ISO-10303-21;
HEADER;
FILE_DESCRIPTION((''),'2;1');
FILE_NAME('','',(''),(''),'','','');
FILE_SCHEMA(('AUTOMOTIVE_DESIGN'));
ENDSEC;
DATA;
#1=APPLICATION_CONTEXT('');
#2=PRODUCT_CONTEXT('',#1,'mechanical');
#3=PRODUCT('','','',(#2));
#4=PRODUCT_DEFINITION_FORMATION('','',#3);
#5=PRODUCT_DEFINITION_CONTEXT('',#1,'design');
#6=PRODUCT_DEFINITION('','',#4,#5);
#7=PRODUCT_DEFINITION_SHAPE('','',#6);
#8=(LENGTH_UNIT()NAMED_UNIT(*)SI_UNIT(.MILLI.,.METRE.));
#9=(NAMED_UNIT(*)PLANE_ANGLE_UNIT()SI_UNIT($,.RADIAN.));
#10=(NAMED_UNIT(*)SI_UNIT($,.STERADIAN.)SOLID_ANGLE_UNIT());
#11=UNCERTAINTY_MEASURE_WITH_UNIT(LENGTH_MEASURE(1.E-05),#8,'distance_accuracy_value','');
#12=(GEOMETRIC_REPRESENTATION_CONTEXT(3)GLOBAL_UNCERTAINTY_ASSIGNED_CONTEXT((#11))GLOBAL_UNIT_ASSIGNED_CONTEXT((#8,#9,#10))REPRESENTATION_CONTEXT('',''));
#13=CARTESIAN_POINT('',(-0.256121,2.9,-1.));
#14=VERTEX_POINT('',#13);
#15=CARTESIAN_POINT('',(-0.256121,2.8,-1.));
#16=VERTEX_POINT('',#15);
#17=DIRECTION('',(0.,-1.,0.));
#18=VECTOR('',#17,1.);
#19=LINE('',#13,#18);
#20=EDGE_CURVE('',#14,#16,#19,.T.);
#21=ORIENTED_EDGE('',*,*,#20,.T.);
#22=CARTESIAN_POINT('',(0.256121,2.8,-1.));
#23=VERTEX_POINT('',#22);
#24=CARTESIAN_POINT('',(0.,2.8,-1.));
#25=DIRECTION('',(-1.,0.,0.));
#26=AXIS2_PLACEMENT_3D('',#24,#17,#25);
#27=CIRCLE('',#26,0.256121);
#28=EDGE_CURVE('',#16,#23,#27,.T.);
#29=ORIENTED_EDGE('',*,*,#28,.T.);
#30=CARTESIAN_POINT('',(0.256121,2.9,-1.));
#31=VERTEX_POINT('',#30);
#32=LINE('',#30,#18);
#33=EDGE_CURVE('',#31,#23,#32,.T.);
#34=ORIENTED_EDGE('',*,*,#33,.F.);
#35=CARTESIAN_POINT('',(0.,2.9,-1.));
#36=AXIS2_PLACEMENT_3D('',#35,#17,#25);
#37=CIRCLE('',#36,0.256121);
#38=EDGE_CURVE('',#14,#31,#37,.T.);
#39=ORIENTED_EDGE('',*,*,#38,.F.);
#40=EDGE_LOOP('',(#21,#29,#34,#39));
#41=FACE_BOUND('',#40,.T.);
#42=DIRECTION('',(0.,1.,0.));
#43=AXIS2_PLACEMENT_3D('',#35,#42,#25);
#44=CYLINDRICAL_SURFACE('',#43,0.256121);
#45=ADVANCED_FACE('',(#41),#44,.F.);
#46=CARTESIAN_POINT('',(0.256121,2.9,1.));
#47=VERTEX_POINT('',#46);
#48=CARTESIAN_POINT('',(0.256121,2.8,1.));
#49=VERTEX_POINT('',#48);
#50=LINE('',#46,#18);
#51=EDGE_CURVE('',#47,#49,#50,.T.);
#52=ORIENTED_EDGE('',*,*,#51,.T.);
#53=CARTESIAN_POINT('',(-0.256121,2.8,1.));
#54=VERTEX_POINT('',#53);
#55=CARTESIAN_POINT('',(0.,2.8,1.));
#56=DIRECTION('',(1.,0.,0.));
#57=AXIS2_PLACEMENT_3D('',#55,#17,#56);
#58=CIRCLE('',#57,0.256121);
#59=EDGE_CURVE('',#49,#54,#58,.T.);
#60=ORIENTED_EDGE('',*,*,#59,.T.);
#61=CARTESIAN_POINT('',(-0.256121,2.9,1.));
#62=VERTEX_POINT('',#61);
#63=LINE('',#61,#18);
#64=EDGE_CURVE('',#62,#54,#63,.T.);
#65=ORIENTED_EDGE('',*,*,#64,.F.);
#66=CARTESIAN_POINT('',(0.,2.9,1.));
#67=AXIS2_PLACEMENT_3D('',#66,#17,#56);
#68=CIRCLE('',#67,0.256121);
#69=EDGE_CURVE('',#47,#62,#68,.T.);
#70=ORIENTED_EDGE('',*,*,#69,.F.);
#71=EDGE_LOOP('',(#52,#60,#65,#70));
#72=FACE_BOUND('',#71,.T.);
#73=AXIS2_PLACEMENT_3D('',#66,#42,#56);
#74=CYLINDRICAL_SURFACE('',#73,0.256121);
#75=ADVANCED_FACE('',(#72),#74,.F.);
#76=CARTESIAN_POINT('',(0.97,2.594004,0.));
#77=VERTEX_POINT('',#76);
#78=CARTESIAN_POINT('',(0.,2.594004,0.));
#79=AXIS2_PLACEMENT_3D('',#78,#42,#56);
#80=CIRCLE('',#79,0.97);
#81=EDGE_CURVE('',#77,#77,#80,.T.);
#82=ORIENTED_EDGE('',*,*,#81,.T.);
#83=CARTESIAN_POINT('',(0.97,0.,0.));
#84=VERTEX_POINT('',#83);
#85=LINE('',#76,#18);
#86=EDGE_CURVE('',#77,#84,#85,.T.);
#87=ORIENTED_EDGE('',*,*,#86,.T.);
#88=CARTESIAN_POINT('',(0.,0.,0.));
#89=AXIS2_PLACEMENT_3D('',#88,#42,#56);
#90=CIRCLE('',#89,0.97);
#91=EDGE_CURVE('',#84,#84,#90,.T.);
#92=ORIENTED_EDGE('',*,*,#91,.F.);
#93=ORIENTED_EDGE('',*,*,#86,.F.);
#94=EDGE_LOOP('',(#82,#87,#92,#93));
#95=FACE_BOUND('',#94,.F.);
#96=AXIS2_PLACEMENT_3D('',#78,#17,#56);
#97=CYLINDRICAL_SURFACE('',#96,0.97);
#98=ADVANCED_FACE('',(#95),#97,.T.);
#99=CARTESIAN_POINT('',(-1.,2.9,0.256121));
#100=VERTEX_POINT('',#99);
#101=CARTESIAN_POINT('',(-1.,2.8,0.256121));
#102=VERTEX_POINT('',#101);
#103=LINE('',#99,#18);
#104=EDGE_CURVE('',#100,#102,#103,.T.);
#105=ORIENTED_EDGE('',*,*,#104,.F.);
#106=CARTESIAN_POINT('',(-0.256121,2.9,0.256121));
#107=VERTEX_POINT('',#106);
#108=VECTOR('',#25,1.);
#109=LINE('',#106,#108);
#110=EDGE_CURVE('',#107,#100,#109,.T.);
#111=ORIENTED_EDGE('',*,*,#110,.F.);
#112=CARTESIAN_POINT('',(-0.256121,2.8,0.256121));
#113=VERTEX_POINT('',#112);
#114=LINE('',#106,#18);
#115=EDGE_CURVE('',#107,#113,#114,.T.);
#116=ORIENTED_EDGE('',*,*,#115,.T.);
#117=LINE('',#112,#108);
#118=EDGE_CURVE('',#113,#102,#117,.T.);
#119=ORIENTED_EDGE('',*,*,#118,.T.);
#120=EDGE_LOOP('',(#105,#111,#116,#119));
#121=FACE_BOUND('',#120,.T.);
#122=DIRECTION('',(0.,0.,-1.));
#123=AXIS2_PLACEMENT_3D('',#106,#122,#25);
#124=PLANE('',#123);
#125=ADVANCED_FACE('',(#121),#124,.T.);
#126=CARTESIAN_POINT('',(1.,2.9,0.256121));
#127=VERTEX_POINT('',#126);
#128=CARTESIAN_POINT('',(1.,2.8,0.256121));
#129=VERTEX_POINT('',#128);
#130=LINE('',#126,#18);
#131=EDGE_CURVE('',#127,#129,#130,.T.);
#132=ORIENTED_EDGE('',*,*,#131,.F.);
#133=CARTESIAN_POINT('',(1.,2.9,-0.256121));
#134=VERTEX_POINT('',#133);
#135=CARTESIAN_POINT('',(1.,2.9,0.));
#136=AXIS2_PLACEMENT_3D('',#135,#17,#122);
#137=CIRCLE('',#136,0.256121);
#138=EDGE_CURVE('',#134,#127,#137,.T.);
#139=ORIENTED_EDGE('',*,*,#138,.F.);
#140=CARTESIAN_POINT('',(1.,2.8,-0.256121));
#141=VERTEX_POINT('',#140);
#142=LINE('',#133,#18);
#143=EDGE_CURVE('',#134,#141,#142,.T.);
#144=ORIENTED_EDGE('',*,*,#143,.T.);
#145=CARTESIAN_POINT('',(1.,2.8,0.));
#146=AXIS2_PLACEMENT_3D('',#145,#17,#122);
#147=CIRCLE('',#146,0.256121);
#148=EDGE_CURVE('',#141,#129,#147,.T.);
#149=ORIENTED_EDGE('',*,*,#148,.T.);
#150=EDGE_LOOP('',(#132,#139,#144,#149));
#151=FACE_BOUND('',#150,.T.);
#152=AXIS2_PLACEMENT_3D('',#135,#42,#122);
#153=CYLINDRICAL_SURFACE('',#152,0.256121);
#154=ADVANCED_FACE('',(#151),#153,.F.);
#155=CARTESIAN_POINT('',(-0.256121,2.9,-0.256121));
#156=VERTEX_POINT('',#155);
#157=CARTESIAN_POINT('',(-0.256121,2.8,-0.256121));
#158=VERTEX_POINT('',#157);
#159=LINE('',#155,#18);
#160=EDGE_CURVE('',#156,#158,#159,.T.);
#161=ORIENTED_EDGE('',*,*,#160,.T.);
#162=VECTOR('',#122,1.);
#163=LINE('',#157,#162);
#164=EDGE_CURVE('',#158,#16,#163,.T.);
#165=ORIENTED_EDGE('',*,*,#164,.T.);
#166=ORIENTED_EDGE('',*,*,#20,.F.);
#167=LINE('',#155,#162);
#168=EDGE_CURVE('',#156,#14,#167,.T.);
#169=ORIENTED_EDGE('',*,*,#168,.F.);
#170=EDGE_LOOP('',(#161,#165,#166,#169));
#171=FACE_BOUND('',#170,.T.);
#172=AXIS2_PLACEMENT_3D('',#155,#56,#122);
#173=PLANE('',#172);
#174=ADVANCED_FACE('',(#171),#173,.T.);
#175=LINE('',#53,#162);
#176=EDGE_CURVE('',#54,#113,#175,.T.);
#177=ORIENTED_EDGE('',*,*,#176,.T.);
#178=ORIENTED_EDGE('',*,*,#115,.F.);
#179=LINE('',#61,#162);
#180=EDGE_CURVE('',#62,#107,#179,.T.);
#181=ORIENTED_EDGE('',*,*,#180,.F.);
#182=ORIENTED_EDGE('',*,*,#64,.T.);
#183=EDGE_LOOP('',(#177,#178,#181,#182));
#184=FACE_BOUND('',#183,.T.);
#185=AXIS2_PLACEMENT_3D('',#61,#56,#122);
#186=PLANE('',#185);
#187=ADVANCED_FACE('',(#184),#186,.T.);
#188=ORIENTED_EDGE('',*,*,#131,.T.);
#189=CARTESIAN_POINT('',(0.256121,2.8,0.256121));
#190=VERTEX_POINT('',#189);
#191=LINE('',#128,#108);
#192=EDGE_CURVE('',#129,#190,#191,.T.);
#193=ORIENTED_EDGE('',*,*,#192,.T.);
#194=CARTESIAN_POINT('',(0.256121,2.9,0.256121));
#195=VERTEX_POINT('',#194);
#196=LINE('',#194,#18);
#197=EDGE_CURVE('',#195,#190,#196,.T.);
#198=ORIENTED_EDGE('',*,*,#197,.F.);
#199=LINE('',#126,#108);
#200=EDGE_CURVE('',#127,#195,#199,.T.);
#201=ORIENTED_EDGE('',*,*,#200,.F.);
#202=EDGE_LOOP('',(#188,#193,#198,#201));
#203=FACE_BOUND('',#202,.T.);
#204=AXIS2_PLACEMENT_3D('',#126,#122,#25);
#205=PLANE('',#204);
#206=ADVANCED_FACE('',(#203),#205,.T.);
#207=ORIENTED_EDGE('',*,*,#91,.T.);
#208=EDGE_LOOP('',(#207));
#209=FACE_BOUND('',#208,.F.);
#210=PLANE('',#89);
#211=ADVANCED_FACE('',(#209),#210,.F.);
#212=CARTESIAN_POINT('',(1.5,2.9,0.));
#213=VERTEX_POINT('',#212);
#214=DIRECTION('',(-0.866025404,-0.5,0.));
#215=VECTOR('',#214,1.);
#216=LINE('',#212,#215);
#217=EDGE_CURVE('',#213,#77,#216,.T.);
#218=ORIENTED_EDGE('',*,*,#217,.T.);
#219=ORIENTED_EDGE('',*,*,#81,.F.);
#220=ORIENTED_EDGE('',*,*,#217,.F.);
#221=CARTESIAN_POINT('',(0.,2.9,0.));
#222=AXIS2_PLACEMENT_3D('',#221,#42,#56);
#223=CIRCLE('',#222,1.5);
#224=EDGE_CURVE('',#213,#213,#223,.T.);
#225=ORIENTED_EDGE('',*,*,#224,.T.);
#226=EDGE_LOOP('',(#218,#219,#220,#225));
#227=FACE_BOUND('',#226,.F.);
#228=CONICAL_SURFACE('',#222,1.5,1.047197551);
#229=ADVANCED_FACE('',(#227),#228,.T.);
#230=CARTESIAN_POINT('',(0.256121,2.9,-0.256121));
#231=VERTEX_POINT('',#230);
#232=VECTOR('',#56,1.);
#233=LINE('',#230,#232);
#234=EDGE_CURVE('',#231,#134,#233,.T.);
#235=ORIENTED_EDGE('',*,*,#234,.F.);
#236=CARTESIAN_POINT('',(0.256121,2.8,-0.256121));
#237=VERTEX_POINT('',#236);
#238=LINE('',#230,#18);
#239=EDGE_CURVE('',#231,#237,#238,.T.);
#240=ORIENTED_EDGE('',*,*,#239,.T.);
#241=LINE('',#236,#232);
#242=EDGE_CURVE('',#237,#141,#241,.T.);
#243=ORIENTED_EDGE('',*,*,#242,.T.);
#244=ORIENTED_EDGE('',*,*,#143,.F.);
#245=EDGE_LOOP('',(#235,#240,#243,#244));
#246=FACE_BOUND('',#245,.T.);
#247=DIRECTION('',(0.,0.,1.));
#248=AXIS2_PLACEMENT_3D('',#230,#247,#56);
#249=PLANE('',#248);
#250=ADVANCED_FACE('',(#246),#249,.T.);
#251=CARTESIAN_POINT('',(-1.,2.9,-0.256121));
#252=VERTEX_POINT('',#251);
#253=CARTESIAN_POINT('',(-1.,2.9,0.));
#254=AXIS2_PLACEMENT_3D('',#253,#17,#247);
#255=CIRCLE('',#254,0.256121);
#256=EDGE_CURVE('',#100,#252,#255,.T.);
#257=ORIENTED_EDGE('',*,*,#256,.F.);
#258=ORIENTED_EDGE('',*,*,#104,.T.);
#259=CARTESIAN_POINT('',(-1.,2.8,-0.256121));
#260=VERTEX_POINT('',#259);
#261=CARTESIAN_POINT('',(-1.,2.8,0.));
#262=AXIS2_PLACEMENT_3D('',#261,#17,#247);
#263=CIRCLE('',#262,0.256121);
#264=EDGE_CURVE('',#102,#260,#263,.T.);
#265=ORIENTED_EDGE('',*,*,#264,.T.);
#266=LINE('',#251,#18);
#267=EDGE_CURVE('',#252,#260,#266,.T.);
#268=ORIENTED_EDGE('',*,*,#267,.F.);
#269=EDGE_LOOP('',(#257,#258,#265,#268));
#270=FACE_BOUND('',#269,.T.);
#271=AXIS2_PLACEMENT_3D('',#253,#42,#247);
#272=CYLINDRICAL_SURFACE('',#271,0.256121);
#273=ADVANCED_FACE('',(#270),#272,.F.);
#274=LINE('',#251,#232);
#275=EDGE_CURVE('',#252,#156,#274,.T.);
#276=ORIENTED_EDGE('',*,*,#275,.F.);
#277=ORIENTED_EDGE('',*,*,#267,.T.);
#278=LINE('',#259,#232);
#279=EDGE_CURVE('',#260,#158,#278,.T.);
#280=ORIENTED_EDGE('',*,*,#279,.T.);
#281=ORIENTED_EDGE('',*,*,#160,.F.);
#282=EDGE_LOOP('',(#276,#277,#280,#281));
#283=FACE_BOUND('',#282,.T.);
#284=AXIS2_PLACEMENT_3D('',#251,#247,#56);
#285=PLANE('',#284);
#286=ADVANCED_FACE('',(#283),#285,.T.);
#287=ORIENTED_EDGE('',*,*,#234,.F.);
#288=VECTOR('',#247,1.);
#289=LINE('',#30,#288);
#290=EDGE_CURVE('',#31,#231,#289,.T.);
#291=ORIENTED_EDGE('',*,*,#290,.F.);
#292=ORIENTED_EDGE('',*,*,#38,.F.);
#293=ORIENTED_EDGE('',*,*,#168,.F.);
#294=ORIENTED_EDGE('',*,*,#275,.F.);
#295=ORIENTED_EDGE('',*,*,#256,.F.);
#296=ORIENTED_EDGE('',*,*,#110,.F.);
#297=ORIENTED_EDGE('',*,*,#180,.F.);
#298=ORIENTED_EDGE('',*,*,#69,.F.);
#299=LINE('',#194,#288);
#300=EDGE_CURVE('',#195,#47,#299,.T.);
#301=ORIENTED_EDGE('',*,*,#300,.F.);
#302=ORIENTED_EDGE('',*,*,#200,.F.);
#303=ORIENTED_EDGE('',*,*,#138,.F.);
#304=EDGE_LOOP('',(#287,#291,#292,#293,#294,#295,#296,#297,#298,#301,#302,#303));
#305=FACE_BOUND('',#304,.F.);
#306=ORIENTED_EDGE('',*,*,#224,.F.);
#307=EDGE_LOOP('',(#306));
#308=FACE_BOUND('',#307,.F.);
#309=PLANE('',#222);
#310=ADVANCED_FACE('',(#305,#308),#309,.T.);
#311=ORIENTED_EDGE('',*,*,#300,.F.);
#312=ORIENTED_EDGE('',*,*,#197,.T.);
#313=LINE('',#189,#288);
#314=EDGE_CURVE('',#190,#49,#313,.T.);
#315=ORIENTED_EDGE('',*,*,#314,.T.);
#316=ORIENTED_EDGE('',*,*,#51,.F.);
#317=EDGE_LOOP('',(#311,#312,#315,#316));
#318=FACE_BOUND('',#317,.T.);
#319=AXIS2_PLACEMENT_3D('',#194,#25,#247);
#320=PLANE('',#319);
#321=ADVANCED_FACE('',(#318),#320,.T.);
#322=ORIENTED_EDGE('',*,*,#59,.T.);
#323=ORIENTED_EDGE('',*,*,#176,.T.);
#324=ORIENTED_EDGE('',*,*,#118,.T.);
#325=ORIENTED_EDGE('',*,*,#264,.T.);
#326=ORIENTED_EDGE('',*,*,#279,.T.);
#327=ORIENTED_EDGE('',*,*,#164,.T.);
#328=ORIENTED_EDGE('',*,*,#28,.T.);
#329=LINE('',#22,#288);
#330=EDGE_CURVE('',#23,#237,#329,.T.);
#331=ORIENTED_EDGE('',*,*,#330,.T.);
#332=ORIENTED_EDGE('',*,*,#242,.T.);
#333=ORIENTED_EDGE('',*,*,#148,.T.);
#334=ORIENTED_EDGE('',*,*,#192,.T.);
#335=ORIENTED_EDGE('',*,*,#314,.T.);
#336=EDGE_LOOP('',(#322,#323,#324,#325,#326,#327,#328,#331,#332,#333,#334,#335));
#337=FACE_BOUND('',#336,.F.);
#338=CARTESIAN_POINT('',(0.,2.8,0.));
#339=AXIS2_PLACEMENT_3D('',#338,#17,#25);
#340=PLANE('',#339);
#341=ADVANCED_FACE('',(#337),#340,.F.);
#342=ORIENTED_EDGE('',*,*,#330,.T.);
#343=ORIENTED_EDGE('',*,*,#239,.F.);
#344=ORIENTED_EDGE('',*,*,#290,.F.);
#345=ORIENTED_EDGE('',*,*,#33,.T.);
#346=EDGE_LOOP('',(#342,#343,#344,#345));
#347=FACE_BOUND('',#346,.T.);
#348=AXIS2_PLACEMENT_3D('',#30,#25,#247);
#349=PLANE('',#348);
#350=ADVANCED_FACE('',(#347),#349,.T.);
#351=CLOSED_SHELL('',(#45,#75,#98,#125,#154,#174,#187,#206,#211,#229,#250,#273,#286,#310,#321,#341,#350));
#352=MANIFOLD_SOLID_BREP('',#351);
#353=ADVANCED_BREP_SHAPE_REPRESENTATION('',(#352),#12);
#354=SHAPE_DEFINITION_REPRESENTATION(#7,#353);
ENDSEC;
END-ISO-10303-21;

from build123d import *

# Parameters (mm, degrees)
CUT_EXTRUDE1_DEPTH = 0.1


with BuildPart() as part:
    # Sketch1 → Revolve1 (revolve)
    with BuildSketch(Plane.XY):
        Polygon((0, 2.9), (1.5, 2.9), (0.97, 2.594004357), (0.97, 0), (0, 0), align=None)
    revolve(axis=Axis((0, 0, 0), (0, 1, 0)))

    # Sketch2 → Cut-Extrude1 (cut)
    with BuildSketch(Plane(origin=(0, 2.9, 0), x_dir=(1, 0, 0), z_dir=(0, 1, 0))):
        with BuildLine():
            Line((0.256120786, 1), (0.256120786, 0.256120786))
            Line((0.256120786, 0.256120786), (1, 0.256120786))
            ThreePointArc((1, 0.256120786), (1.256120786, 0), (1, -0.256120786))
            Line((1, -0.256120786), (0.256120786, -0.256120786))
            Line((0.256120786, -0.256120786), (0.256120786, -1))
            ThreePointArc((0.256120786, -1), (0, -1.256120786), (-0.256120786, -1))
            Line((-0.256120786, -1), (-0.256120786, -0.256120786))
            Line((-0.256120786, -0.256120786), (-1, -0.256120786))
            ThreePointArc((-1, -0.256120786), (-1.256120786, 0), (-1, 0.256120786))
            Line((-1, 0.256120786), (-0.256120786, 0.256120786))
            Line((-0.256120786, 0.256120786), (-0.256120786, 1))
            ThreePointArc((-0.256120786, 1), (0, 1.256120786), (0.256120786, 1))
        make_face()
    extrude(amount=-CUT_EXTRUDE1_DEPTH, mode=Mode.SUBTRACT)


solid = part.part
